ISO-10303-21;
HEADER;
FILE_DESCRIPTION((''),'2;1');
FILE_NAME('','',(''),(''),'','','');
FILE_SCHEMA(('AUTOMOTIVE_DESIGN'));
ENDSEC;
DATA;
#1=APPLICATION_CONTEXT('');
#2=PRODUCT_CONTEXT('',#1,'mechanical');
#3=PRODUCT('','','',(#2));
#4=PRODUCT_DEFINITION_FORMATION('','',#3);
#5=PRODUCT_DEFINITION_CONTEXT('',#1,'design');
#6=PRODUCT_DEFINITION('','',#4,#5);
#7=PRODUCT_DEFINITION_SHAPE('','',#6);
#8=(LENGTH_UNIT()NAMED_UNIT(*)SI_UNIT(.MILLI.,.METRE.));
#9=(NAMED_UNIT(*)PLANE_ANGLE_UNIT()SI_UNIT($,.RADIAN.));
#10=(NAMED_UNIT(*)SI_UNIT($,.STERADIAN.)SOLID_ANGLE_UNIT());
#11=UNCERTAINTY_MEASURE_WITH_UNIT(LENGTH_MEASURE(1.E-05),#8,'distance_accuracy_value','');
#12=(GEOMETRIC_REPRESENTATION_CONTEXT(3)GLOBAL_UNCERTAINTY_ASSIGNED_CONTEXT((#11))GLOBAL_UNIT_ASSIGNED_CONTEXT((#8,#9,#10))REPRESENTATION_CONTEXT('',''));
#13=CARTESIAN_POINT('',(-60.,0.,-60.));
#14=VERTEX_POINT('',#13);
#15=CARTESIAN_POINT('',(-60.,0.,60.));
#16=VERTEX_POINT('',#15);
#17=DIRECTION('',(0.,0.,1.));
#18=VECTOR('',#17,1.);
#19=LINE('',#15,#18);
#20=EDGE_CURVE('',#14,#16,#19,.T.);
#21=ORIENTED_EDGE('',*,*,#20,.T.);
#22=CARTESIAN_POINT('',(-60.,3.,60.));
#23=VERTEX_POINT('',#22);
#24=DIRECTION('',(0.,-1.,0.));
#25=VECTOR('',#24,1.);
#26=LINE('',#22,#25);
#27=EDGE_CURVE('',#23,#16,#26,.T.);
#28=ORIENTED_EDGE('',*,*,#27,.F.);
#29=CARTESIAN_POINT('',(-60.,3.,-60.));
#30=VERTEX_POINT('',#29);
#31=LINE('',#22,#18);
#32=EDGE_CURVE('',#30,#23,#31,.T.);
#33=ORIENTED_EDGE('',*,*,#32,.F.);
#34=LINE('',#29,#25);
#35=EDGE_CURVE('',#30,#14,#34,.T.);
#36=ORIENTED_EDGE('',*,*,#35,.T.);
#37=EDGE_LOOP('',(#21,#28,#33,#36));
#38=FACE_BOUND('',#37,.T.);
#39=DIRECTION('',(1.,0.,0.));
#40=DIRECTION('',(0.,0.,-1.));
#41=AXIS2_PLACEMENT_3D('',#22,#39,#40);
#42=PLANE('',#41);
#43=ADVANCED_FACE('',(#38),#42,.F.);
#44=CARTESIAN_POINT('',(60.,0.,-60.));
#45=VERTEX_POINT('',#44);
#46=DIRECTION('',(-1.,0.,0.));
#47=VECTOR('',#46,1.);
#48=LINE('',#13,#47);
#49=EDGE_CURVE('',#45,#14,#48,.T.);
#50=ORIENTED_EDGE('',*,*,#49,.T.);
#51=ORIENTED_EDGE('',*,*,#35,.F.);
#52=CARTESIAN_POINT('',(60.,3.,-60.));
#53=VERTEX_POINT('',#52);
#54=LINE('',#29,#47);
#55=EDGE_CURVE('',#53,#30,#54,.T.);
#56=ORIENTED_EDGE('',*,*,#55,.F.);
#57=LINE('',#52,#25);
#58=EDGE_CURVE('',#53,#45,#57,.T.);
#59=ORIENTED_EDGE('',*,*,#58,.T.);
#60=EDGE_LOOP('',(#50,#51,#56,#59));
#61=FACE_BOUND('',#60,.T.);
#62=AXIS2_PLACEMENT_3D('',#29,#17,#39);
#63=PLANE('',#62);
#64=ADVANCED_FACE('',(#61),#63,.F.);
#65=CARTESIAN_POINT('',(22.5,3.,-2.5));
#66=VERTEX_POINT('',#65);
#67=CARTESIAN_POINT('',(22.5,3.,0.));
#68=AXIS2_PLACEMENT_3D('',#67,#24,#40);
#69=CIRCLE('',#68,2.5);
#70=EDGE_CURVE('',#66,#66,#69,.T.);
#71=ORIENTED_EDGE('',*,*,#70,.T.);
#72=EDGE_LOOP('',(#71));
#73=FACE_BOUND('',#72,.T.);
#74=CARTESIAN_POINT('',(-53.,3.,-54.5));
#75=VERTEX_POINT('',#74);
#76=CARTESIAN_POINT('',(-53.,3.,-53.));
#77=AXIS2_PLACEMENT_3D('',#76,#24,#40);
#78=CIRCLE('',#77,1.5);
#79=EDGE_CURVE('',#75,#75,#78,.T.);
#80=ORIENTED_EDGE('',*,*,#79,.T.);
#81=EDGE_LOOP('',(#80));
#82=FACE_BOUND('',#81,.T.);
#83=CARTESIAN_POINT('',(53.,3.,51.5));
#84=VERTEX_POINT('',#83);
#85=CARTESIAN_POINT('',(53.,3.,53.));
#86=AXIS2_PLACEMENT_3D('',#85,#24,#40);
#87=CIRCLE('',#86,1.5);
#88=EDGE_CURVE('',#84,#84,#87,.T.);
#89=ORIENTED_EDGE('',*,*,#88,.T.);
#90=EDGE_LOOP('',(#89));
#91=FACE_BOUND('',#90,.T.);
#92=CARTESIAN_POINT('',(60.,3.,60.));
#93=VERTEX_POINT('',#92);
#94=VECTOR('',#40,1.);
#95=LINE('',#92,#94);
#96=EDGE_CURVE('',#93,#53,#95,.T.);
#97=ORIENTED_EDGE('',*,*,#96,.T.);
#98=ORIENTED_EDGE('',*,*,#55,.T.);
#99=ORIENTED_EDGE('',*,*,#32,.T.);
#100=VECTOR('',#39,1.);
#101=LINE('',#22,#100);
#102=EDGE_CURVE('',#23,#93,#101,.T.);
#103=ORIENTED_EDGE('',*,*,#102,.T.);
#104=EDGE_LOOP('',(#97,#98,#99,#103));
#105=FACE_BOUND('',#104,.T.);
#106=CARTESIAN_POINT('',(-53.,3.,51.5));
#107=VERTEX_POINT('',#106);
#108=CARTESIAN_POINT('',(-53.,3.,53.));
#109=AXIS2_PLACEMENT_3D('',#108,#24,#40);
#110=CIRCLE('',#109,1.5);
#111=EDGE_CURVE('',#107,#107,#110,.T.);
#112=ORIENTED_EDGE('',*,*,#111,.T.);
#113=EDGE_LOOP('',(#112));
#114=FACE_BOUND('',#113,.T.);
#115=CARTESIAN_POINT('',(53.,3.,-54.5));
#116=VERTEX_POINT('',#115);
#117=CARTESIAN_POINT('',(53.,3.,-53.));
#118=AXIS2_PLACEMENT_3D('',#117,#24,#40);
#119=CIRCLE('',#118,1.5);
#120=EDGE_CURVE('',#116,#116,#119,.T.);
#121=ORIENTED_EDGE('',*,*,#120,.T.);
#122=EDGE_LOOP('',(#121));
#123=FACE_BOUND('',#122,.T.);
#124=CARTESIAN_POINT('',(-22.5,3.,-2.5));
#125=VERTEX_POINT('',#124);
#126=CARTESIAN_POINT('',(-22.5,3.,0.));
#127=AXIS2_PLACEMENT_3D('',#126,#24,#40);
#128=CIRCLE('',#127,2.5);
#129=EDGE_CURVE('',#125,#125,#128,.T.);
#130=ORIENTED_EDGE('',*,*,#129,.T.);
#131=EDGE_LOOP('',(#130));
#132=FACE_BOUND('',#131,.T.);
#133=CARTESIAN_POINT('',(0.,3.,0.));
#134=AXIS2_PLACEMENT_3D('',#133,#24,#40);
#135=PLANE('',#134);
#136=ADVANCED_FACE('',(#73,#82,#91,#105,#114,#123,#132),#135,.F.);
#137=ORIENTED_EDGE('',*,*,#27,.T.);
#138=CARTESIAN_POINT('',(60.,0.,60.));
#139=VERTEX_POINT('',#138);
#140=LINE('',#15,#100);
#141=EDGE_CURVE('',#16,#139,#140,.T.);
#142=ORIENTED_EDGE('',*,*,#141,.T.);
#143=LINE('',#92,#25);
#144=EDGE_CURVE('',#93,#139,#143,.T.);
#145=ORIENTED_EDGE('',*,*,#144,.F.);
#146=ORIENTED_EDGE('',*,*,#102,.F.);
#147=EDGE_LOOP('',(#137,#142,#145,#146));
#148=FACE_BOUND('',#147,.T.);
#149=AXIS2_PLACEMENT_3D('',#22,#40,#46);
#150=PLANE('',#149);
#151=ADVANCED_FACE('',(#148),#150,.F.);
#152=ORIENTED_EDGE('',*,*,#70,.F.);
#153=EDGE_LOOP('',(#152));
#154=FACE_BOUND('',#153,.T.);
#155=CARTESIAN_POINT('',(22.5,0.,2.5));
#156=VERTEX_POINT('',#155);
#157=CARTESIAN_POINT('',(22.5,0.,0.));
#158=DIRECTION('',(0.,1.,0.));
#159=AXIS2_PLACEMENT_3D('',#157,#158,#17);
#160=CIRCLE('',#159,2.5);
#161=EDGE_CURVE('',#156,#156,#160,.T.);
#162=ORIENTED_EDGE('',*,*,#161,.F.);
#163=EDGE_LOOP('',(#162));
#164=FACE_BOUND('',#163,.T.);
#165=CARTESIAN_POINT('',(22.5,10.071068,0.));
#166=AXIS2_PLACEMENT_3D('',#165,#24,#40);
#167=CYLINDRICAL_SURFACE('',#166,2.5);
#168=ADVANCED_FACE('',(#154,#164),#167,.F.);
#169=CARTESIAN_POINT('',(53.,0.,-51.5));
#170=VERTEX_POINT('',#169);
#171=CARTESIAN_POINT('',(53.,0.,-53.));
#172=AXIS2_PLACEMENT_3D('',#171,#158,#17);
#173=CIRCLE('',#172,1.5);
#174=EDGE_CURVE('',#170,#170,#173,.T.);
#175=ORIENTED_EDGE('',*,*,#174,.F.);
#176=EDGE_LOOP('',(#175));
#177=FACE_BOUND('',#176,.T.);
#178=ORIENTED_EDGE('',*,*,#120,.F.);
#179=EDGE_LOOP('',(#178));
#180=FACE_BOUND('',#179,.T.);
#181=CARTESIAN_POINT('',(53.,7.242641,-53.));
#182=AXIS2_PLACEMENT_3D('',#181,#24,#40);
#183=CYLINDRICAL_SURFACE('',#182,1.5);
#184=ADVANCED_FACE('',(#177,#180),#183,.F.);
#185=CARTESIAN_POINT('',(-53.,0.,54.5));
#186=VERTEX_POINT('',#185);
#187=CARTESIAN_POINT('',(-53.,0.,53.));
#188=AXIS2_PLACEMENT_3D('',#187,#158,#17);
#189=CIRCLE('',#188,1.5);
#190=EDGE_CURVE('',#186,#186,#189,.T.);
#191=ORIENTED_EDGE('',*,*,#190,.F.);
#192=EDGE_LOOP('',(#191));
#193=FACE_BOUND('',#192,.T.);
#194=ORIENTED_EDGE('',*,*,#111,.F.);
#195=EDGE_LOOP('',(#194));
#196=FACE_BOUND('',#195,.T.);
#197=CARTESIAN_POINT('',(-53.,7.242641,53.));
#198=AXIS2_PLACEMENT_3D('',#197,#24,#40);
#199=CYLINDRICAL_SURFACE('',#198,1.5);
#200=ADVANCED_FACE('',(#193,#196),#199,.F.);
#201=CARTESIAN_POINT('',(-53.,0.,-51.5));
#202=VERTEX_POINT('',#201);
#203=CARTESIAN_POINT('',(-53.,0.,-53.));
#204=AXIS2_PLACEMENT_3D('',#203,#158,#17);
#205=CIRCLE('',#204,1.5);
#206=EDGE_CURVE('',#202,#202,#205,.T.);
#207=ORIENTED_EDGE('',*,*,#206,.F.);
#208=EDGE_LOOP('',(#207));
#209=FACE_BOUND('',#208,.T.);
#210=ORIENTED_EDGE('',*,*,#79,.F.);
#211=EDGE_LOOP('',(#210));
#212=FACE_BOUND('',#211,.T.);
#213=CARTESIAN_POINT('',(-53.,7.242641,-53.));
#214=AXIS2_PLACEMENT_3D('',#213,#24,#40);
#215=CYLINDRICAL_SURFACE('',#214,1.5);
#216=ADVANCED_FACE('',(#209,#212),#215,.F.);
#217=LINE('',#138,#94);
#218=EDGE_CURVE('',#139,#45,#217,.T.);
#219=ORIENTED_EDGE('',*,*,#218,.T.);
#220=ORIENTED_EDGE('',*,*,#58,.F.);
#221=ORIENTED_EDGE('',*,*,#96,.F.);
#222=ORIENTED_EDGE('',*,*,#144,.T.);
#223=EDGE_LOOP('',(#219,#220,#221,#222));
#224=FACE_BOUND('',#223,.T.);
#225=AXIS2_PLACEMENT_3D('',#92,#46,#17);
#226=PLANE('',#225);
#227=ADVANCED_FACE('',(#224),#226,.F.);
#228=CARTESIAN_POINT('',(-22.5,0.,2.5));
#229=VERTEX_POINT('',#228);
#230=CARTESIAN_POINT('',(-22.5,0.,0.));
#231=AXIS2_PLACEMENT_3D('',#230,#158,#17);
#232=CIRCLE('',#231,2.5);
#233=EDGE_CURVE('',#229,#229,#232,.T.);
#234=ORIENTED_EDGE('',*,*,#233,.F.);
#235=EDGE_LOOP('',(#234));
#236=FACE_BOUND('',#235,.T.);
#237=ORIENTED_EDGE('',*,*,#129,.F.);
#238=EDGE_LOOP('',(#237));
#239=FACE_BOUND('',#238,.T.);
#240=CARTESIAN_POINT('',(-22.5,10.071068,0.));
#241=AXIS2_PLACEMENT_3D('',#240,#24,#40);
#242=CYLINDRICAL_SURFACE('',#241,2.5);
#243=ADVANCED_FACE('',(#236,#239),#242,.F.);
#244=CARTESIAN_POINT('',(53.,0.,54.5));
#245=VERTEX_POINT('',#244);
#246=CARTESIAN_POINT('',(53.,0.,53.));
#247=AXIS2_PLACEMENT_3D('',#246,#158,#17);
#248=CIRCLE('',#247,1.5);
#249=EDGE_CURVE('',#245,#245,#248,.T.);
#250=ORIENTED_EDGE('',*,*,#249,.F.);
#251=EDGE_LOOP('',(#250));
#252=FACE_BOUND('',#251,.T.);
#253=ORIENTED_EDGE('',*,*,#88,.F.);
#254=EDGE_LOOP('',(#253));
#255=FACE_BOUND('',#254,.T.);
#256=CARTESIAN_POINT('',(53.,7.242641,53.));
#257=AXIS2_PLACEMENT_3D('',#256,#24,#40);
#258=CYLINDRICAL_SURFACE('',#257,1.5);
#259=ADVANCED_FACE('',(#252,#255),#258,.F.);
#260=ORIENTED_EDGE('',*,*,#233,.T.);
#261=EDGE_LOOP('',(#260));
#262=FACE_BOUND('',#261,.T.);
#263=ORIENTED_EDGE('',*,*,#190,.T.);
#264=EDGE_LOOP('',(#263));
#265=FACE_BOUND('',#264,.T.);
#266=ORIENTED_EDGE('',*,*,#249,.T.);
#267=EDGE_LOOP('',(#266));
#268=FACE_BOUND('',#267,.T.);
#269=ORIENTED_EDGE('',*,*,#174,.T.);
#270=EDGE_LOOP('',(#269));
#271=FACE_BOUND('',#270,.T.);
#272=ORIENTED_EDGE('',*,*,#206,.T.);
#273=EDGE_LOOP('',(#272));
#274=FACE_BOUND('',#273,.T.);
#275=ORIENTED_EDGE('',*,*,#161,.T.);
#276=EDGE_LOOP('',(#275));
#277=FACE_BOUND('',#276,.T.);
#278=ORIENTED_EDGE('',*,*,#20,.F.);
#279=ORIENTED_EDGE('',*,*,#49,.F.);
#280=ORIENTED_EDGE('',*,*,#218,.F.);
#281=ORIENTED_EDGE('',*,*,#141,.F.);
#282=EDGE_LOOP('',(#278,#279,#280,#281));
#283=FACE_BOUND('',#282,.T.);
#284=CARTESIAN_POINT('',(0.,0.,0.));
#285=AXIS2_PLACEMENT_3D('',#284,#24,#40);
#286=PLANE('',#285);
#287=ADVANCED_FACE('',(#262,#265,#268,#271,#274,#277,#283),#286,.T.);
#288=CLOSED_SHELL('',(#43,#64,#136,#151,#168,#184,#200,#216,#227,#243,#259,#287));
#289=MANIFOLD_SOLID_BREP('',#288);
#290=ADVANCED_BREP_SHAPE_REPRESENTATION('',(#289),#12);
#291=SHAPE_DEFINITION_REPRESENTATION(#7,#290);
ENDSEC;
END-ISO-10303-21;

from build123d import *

# Parameters (mm, degrees)
SKETCH1_W           = 120
SKETCH1_H           = 120
BOSS_EXTRUDE1_DEPTH = 3
SKETCH4_R           = 2.5
CUT_EXTRUDE2_DEPTH  = 3
SKETCH7_R           = 1.5
CUT_EXTRUDE3_DEPTH  = 3


with BuildPart() as part:
    # Sketch1 → Boss-Extrude1 (new body)
    with BuildSketch(Plane(origin=(0, 0, 0), x_dir=(1, 0, 0), z_dir=(0, 1, 0))):
        Rectangle(SKETCH1_W, SKETCH1_H)
    extrude(amount=BOSS_EXTRUDE1_DEPTH)

    # Sketch4 → Cut-Extrude2 (cut)
    with BuildSketch(Plane(origin=(0, 0, 0), x_dir=(1, 0, 0), z_dir=(0, 1, 0))):
        with Locations((-22.5, 0)):
            Circle(SKETCH4_R)
        with Locations((22.5, 0)):
            Circle(SKETCH4_R)
    extrude(amount=CUT_EXTRUDE2_DEPTH, mode=Mode.SUBTRACT)

    # Sketch7 → Cut-Extrude3 (cut)
    with BuildSketch(Plane(origin=(0, 0, 0), x_dir=(1, 0, 0), z_dir=(0, 1, 0))):
        with Locations((-53, 53)):
            Circle(SKETCH7_R)
        with Locations((53, 53)):
            Circle(SKETCH7_R)
        with Locations((-53, -53)):
            Circle(SKETCH7_R)
        with Locations((53, -53)):
            Circle(SKETCH7_R)
    extrude(amount=CUT_EXTRUDE3_DEPTH, mode=Mode.SUBTRACT)


solid = part.part
